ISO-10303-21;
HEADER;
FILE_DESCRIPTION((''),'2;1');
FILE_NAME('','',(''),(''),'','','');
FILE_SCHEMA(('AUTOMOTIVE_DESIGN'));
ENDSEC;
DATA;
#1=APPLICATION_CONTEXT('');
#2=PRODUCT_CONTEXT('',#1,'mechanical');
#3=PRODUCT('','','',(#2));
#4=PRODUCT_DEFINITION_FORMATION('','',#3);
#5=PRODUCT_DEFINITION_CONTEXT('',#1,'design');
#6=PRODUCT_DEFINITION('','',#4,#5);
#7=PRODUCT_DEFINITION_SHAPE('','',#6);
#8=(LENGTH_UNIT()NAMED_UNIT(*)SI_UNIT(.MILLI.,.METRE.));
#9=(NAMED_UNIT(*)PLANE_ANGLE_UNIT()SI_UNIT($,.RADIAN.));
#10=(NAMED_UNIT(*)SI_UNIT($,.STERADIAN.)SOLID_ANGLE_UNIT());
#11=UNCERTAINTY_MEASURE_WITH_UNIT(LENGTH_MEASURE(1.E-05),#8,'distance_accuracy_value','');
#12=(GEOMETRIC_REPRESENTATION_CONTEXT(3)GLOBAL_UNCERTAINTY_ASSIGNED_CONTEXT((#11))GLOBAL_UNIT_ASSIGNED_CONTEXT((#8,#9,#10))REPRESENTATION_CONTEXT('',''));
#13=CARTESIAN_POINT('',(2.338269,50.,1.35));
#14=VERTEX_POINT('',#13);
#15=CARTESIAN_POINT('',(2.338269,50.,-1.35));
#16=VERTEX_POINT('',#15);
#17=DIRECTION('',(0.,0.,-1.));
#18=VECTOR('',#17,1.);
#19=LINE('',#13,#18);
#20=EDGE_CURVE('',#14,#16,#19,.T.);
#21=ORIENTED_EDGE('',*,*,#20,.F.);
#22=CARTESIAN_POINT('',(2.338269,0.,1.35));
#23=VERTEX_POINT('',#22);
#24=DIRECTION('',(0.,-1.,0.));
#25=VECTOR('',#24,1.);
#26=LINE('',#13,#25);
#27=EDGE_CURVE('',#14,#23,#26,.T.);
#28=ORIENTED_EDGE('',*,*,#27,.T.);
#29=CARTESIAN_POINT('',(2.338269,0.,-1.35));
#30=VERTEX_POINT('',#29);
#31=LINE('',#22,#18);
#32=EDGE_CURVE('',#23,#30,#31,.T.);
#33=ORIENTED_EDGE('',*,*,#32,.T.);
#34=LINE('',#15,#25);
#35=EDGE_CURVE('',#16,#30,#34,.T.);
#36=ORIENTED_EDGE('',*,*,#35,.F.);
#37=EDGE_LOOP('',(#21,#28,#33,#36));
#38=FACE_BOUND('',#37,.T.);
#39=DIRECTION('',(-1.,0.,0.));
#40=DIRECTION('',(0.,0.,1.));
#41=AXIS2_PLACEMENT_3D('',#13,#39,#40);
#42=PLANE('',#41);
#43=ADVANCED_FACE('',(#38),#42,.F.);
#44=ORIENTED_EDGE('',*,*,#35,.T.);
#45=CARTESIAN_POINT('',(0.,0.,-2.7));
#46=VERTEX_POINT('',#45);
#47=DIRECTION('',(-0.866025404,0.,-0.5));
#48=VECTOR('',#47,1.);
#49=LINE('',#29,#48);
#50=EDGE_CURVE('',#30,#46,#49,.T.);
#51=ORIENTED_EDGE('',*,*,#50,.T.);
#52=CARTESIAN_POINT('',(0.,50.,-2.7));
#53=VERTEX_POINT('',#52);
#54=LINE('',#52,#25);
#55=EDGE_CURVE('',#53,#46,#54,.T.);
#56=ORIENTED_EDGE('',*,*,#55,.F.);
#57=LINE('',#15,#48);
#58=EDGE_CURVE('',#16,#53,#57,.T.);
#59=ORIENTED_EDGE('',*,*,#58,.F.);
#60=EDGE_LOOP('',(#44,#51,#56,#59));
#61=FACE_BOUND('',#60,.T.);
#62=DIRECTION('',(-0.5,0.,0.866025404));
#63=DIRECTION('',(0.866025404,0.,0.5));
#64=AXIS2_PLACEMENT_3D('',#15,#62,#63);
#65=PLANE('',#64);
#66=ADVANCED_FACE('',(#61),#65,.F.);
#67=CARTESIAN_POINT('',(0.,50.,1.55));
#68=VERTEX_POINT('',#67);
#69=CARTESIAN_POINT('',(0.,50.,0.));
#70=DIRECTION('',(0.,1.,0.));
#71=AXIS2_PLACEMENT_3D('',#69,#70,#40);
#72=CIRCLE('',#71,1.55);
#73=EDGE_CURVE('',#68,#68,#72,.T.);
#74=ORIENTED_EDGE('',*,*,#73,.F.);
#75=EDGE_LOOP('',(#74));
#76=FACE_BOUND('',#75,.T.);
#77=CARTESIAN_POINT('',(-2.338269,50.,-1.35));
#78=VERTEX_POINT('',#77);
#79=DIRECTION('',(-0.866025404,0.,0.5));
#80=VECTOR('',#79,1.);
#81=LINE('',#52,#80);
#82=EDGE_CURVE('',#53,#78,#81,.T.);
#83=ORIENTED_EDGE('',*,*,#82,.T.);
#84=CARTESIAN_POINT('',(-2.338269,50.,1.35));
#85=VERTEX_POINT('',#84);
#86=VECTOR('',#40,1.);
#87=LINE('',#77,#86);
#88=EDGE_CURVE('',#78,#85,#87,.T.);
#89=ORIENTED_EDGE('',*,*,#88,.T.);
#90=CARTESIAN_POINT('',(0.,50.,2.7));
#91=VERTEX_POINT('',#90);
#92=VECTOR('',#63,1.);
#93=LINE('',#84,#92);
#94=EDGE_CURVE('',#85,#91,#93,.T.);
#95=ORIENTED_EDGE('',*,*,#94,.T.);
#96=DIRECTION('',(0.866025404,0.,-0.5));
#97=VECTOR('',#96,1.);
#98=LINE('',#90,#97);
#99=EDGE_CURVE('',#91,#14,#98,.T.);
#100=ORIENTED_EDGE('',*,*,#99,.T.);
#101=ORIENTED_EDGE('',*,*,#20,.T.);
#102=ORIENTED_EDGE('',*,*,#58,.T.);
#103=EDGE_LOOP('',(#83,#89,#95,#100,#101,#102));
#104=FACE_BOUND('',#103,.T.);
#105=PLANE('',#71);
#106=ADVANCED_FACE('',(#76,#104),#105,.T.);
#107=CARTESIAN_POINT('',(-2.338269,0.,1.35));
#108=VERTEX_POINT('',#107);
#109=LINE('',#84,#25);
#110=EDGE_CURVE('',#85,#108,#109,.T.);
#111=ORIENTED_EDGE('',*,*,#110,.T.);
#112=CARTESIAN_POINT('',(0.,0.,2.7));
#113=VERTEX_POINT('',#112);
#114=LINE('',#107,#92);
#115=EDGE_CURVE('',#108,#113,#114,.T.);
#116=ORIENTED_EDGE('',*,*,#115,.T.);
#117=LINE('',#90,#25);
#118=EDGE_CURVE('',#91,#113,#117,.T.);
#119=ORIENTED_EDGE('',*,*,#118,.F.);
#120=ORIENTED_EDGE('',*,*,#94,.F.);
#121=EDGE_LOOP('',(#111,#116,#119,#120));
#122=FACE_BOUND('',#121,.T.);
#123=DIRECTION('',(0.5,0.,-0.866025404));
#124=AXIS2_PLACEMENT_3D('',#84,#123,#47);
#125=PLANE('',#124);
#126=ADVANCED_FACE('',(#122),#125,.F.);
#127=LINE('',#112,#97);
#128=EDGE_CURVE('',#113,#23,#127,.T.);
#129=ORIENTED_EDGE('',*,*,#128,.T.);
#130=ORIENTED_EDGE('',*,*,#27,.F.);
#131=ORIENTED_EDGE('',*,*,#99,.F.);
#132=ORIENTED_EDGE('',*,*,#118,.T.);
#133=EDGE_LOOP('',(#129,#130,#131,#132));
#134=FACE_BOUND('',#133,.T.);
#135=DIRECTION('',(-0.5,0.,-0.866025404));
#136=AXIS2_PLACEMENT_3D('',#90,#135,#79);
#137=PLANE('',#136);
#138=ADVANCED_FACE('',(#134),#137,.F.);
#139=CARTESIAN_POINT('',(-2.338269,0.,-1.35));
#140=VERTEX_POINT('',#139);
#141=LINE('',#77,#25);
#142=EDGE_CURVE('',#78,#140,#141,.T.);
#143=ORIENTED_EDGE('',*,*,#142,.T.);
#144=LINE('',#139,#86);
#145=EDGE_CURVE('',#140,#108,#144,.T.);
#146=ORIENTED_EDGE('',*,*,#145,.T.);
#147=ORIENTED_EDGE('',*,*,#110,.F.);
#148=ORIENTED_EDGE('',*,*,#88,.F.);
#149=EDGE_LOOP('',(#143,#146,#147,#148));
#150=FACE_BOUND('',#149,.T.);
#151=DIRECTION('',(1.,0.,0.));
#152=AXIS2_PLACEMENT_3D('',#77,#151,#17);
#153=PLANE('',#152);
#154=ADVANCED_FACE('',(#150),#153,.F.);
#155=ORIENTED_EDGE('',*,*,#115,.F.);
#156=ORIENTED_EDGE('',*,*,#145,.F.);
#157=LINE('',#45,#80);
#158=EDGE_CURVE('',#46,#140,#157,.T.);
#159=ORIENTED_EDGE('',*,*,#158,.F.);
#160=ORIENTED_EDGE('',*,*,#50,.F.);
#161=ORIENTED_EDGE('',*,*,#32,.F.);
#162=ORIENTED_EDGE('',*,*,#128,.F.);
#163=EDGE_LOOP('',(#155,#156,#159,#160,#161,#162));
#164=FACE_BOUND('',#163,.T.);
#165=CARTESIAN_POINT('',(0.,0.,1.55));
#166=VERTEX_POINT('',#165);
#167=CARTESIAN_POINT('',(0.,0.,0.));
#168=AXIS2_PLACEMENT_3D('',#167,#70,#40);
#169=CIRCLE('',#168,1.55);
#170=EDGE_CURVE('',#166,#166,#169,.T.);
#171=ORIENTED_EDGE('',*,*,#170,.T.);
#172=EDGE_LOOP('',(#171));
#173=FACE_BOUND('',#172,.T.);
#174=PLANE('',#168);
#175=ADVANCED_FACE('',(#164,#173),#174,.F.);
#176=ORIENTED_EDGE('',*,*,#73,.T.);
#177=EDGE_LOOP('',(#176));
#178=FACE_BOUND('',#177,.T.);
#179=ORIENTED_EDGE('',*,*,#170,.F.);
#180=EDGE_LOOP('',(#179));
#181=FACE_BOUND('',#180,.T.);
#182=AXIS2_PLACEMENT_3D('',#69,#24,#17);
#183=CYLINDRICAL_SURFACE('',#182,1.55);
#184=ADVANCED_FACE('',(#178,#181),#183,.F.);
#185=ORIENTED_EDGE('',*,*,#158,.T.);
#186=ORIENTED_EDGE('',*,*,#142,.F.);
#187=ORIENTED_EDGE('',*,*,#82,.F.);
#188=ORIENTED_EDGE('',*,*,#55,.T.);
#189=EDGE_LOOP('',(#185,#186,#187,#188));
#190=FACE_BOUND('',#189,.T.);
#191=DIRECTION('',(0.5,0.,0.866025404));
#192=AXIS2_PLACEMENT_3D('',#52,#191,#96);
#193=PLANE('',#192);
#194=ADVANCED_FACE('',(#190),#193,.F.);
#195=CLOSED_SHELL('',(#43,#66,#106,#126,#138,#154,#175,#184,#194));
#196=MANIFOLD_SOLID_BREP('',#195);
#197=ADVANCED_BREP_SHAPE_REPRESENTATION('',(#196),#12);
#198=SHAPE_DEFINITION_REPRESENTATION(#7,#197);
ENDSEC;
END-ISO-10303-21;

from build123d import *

# Parameters (mm, degrees)
SKETCH_1_R      = 1.55
EXTRUDE_1_DEPTH = 50


with BuildPart() as part:
    # 草图1 → 凸台-拉伸1 (new body)
    with BuildSketch(Plane(origin=(0, 0, 0), x_dir=(1, 0, 0), z_dir=(0, 1, 0))):
        Polygon((0, 2.7), (-2.33826859, 1.35), (-2.33826859, -1.35), (0, -2.7), (2.33826859, -1.35), (2.33826859, 1.35), align=None)
        with Locations(Location((0, 0, 0), (0, 0, 270))):
            Circle(SKETCH_1_R, mode=Mode.SUBTRACT)
    extrude(amount=EXTRUDE_1_DEPTH)


solid = part.part
